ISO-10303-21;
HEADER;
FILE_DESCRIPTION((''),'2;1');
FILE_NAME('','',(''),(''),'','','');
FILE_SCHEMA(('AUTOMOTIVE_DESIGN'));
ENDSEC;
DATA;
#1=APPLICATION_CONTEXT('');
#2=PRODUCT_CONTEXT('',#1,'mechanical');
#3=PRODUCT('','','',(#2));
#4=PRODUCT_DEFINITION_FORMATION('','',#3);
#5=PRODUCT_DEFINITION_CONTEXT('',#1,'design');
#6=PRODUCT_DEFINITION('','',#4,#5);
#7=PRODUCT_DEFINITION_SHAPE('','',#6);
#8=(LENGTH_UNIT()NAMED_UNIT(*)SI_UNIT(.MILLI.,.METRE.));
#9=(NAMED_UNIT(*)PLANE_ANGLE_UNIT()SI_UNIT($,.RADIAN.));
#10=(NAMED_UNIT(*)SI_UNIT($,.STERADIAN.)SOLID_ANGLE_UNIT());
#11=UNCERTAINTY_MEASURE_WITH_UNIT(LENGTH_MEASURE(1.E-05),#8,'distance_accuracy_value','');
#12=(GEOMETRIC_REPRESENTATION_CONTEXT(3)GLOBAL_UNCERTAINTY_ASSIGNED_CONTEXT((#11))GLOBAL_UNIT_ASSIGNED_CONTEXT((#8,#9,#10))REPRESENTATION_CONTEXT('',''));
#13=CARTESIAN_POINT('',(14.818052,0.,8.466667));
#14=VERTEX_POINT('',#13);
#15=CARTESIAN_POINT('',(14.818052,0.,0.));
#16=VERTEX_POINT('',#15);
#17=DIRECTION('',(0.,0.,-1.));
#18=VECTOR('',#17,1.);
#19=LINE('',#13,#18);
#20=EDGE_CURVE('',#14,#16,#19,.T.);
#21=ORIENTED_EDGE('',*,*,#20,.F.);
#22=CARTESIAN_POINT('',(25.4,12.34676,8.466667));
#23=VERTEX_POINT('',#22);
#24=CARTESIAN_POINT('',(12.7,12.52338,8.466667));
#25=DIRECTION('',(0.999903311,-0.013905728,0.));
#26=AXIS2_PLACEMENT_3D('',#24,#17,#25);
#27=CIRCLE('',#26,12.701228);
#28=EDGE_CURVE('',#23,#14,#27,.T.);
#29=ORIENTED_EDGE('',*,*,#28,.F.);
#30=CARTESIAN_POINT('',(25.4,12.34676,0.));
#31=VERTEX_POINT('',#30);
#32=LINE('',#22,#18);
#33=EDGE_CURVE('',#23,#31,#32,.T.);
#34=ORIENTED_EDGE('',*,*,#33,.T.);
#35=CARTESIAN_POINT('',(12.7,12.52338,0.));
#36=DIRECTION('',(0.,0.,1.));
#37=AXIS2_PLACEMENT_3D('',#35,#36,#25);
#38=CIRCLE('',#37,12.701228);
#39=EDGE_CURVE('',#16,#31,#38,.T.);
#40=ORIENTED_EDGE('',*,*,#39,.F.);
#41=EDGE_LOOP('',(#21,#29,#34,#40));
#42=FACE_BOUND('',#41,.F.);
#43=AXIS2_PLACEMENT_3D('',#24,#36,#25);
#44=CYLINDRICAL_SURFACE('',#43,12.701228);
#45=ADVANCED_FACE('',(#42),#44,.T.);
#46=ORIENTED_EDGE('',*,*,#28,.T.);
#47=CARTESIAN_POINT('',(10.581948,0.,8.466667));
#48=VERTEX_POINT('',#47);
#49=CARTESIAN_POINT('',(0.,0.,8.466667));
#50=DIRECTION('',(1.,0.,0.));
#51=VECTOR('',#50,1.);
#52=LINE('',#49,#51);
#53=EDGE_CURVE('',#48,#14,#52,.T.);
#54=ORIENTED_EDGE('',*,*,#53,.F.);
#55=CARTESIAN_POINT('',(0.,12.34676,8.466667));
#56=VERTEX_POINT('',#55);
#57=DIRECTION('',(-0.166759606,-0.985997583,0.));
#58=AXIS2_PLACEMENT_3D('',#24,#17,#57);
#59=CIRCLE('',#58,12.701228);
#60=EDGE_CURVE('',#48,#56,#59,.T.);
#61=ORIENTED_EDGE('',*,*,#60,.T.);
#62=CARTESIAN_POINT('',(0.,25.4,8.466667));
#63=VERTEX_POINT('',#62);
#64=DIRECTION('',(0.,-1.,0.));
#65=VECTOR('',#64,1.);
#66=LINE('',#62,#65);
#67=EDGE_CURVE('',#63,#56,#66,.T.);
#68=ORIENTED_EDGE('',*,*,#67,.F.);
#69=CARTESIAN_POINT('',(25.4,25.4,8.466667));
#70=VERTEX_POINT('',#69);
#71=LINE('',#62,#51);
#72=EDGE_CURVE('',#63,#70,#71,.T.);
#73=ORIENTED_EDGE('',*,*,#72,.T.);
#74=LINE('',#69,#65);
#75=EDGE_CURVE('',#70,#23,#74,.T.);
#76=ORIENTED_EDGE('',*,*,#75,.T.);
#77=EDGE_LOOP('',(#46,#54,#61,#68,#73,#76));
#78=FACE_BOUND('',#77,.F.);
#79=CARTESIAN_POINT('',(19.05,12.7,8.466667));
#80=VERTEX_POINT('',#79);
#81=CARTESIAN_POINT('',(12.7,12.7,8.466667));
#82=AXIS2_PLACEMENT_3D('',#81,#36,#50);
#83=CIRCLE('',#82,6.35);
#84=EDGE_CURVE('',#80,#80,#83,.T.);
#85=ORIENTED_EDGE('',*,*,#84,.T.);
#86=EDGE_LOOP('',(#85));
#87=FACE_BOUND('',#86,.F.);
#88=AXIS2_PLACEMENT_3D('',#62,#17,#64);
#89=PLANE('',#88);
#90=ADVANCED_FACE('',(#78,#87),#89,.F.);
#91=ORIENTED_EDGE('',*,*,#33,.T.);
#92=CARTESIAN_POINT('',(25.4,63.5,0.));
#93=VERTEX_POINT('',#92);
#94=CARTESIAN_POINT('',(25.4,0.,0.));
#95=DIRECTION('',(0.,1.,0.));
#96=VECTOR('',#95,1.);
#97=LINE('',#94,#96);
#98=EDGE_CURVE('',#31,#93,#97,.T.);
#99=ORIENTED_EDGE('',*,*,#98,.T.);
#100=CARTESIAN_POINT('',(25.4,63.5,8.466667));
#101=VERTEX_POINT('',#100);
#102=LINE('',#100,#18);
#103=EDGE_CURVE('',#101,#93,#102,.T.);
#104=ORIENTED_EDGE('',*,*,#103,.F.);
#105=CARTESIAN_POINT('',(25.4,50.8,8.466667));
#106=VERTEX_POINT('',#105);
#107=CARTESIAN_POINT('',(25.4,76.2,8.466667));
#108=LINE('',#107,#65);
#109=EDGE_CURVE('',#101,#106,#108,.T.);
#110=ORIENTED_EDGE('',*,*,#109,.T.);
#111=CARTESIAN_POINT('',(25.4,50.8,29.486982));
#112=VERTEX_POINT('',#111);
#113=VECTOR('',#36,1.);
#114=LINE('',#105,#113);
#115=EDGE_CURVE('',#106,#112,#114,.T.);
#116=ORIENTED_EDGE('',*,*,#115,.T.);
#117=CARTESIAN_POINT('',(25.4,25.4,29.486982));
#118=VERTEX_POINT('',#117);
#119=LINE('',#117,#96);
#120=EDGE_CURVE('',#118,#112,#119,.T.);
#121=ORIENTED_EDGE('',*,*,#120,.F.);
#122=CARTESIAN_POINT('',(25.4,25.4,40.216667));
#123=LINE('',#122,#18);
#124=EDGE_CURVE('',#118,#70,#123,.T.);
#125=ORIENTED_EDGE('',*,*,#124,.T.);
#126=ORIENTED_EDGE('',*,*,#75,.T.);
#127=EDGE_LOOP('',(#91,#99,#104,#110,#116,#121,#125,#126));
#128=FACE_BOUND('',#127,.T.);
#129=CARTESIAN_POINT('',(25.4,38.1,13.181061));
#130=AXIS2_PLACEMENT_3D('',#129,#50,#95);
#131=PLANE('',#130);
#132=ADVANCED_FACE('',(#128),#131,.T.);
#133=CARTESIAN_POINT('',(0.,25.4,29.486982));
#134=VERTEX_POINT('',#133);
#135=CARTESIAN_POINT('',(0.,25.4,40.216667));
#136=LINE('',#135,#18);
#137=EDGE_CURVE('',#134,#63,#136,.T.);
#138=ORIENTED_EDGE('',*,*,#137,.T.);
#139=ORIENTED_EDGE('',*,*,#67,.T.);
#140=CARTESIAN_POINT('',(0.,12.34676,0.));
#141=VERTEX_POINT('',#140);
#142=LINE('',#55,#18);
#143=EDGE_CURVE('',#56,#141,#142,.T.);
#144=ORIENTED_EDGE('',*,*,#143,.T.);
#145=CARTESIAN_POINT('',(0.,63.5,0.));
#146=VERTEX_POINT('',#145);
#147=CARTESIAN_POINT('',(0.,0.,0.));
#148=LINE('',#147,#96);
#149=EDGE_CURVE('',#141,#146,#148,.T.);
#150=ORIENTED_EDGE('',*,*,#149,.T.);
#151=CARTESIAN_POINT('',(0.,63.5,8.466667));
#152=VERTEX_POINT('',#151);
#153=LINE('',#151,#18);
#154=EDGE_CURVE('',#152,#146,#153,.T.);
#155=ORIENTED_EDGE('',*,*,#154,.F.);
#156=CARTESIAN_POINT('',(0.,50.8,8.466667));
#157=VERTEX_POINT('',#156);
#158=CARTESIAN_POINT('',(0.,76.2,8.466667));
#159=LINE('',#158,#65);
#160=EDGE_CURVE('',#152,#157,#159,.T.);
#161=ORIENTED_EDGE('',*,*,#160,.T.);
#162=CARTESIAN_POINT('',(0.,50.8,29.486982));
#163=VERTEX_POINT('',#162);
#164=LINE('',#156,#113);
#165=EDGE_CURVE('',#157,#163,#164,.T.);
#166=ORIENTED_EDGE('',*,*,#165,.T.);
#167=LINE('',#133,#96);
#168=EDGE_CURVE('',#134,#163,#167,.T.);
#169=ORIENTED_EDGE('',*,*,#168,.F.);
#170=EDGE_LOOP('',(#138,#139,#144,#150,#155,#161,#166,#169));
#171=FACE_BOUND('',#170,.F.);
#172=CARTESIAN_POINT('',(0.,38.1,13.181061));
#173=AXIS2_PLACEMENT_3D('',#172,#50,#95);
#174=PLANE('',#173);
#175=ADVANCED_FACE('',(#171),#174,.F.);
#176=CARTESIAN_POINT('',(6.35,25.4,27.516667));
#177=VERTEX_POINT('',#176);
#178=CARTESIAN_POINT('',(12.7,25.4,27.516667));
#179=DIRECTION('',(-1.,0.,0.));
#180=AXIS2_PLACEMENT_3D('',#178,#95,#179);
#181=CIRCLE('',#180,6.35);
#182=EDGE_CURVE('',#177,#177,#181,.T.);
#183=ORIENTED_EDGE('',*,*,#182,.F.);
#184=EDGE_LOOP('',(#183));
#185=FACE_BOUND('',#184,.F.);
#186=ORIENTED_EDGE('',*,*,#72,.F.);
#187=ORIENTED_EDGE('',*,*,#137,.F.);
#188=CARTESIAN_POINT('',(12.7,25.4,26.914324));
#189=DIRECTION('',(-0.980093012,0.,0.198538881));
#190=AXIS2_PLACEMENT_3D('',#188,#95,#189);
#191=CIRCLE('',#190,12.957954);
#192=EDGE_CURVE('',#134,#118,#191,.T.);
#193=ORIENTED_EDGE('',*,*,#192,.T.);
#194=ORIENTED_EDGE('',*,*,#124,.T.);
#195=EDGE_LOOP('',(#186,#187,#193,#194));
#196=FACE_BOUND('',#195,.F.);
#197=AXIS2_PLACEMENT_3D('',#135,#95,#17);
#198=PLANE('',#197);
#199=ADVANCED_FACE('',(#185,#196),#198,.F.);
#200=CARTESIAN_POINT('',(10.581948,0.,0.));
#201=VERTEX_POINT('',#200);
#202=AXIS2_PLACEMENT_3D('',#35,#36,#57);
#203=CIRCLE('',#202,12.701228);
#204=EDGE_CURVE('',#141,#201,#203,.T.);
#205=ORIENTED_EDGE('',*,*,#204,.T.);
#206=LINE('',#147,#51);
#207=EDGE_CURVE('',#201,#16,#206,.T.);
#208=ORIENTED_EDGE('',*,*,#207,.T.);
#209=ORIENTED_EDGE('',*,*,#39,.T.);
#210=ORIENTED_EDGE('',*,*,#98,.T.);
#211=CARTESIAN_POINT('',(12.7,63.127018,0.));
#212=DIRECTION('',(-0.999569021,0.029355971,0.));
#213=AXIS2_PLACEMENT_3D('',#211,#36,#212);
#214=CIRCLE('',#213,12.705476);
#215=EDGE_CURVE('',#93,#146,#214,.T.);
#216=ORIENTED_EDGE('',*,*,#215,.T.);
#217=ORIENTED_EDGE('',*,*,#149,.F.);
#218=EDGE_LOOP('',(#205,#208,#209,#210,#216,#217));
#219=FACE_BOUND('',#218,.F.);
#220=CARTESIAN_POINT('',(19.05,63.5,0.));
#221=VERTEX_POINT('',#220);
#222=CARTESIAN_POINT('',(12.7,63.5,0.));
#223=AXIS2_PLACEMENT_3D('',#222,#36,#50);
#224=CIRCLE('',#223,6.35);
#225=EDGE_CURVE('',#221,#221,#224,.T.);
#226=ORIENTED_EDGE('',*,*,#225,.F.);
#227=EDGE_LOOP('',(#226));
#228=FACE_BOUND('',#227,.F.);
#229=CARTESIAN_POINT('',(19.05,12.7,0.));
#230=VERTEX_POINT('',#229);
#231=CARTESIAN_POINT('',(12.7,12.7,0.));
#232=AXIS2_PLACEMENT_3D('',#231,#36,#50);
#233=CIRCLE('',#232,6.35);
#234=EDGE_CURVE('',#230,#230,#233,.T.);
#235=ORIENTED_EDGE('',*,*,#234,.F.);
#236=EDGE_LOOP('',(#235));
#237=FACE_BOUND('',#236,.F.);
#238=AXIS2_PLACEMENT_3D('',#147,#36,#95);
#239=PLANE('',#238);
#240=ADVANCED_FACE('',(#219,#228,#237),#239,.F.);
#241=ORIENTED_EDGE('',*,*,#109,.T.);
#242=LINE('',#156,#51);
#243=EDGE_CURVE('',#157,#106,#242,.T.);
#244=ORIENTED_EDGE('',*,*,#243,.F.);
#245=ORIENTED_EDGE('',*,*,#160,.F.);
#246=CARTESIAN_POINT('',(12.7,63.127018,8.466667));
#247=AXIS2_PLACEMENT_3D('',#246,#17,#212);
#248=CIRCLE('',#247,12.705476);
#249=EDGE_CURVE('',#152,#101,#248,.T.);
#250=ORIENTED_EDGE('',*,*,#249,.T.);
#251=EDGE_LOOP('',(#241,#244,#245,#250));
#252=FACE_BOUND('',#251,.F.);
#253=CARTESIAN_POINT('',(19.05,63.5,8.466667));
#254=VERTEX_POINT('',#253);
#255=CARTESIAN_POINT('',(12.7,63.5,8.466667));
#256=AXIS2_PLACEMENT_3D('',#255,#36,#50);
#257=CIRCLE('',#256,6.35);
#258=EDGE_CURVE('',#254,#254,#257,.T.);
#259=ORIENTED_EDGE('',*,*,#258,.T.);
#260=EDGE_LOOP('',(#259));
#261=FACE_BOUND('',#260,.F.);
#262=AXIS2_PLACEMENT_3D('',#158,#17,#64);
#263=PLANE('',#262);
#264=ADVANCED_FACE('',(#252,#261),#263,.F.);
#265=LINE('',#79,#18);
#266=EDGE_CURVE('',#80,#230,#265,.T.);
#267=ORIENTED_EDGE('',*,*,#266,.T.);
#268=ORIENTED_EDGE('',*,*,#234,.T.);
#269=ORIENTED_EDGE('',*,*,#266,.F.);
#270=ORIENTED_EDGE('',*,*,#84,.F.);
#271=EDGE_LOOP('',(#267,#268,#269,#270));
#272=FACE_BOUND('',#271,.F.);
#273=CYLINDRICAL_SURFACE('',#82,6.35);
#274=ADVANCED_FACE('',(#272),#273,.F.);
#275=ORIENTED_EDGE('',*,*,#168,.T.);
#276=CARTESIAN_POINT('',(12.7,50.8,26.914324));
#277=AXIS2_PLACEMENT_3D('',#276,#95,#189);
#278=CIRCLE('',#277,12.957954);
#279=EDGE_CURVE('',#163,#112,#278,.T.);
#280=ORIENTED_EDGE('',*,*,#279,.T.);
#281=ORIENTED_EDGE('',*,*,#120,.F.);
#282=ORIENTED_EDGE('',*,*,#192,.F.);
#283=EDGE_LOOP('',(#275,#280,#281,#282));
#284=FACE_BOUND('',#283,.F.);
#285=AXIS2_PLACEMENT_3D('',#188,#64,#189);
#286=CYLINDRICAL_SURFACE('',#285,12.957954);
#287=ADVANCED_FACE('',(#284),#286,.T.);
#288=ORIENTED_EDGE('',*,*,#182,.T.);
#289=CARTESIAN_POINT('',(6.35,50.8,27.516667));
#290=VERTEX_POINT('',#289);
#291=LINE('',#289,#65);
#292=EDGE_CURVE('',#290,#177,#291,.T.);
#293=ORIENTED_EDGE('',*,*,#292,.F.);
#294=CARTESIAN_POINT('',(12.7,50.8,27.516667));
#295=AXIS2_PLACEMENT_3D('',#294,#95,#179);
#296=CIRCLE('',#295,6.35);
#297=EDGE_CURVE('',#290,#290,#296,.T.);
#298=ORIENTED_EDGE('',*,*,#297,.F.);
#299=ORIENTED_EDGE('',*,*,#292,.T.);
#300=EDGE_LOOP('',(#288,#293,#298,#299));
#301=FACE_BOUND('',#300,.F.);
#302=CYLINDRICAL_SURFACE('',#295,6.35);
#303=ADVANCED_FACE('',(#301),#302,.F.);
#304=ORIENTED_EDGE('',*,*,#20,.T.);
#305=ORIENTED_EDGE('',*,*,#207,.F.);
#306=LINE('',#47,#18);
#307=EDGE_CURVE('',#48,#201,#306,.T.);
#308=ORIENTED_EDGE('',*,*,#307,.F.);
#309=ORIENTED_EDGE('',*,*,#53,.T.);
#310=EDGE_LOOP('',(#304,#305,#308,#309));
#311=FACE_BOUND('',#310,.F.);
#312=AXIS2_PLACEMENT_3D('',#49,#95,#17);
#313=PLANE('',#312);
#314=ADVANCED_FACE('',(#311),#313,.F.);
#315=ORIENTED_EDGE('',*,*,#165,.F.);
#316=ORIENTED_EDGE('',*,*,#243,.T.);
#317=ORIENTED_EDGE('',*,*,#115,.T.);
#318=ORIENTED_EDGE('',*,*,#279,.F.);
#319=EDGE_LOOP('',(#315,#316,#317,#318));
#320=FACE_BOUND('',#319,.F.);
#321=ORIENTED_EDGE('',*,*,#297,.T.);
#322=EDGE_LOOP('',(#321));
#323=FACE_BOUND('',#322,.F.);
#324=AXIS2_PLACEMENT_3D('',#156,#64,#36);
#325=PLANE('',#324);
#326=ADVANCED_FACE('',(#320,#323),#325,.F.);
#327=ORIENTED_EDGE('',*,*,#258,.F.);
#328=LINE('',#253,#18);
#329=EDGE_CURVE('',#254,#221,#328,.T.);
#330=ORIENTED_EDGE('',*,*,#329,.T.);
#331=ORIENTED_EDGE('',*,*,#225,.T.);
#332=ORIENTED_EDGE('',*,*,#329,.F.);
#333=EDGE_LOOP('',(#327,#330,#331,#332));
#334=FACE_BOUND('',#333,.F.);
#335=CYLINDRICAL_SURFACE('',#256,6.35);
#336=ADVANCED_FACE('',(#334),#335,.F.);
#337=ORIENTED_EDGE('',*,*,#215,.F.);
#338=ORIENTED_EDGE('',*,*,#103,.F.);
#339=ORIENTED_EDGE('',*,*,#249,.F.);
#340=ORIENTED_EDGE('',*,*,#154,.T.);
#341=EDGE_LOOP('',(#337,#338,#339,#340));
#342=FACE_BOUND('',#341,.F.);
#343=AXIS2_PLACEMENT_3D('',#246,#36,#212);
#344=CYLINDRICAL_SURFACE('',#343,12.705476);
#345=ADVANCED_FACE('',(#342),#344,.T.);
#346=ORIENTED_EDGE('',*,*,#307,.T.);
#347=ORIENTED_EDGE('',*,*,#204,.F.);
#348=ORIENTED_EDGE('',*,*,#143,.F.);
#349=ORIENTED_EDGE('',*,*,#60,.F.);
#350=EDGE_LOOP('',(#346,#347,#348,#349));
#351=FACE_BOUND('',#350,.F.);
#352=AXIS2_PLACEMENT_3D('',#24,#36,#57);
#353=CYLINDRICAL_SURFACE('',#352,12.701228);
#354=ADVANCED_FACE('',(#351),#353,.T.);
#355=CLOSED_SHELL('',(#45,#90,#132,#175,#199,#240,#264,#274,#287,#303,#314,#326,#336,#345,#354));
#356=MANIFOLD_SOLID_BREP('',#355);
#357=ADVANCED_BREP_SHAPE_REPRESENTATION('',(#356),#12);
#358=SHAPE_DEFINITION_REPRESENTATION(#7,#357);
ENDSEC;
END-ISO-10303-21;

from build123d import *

# Parameters (mm, degrees)
F1_DEPTH  = 25.4
F2_R      = 6.35
F3_DEPTH  = 25.4
F4_R      = 6.35
F5_DEPTH  = 25.4
F7_DEPTH  = 25.4
F9_DEPTH  = 25.4
F11_DEPTH = 25.4


with BuildPart() as f1:
    # F0 (on Right) → F1 (new body)
    with BuildSketch(Plane.YZ):
        Polygon((0, 8.4666666667), (0, 0), (76.2, 0), (76.2, 8.4666666667), (50.8, 8.4666666667), (50.8, 40.2166666667), (25.4, 40.2166666667), (25.4, 8.4666666667), align=None)
    extrude(amount=F1_DEPTH)

    # F2 (on face) → F3 (cut)
    with BuildSketch(Plane(origin=(0, 50.8, 0), x_dir=(-1, 0, 0), z_dir=(0, 1, 0))):
        with Locations((-12.7, 27.5166666667)):
            Circle(F2_R)
    extrude(amount=-F3_DEPTH, mode=Mode.SUBTRACT)

    # F4 (on face) → F5 (cut)
    with BuildSketch(Plane.XY.offset(8.4666666667)):
        with Locations((12.7, 63.5)):
            Circle(F4_R)
        with Locations((12.7, 12.7)):
            Circle(F4_R)
    extrude(amount=-F5_DEPTH, mode=Mode.SUBTRACT)

    # F6 (on face) → F7 (cut)
    with BuildSketch(Plane.XY.offset(8.4666666667)):
        with BuildLine():
            ThreePointArc((0, 63.5), (12.7, 75.8324942144), (25.4, 63.5))
            Line((25.4, 63.5), (25.4, 76.2))
            Line((25.4, 76.2), (0, 76.2))
            Line((0, 76.2), (0, 63.5))
        make_face()
    extrude(amount=-F7_DEPTH, mode=Mode.SUBTRACT)

    # F8 (on face) → F9 (cut)
    with BuildSketch(Plane.XY.offset(8.4666666667)):
        with BuildLine():
            ThreePointArc((10.5819482078, 0), (3.0561269403, 4.2579759584), (0, 12.3467603626))
            Line((0, 12.3467603626), (0, 0))
            Line((0, 0), (10.5819482078, 0))
        make_face()
        with BuildLine():
            ThreePointArc((25.4, 12.3467603626), (22.3438730597, 4.2579759584), (14.8180517922, 0))
            Line((14.8180517922, 0), (25.4, 0))
            Line((25.4, 0), (25.4, 12.3467603626))
        make_face()
    extrude(amount=-F9_DEPTH, mode=Mode.SUBTRACT)

    # F10 (on face) → F11 (cut)
    with BuildSketch(Plane.XZ.offset(-25.4)):
        with BuildLine():
            ThreePointArc((0, 29.4869819596), (12.7, 39.8722781395), (25.4, 29.4869819596))
            Line((25.4, 29.4869819596), (25.4, 40.2166666667))
            Line((25.4, 40.2166666667), (0, 40.2166666667))
            Line((0, 40.2166666667), (0, 29.4869819596))
        make_face()
    extrude(amount=-F11_DEPTH, mode=Mode.SUBTRACT)


solid = f1.part
